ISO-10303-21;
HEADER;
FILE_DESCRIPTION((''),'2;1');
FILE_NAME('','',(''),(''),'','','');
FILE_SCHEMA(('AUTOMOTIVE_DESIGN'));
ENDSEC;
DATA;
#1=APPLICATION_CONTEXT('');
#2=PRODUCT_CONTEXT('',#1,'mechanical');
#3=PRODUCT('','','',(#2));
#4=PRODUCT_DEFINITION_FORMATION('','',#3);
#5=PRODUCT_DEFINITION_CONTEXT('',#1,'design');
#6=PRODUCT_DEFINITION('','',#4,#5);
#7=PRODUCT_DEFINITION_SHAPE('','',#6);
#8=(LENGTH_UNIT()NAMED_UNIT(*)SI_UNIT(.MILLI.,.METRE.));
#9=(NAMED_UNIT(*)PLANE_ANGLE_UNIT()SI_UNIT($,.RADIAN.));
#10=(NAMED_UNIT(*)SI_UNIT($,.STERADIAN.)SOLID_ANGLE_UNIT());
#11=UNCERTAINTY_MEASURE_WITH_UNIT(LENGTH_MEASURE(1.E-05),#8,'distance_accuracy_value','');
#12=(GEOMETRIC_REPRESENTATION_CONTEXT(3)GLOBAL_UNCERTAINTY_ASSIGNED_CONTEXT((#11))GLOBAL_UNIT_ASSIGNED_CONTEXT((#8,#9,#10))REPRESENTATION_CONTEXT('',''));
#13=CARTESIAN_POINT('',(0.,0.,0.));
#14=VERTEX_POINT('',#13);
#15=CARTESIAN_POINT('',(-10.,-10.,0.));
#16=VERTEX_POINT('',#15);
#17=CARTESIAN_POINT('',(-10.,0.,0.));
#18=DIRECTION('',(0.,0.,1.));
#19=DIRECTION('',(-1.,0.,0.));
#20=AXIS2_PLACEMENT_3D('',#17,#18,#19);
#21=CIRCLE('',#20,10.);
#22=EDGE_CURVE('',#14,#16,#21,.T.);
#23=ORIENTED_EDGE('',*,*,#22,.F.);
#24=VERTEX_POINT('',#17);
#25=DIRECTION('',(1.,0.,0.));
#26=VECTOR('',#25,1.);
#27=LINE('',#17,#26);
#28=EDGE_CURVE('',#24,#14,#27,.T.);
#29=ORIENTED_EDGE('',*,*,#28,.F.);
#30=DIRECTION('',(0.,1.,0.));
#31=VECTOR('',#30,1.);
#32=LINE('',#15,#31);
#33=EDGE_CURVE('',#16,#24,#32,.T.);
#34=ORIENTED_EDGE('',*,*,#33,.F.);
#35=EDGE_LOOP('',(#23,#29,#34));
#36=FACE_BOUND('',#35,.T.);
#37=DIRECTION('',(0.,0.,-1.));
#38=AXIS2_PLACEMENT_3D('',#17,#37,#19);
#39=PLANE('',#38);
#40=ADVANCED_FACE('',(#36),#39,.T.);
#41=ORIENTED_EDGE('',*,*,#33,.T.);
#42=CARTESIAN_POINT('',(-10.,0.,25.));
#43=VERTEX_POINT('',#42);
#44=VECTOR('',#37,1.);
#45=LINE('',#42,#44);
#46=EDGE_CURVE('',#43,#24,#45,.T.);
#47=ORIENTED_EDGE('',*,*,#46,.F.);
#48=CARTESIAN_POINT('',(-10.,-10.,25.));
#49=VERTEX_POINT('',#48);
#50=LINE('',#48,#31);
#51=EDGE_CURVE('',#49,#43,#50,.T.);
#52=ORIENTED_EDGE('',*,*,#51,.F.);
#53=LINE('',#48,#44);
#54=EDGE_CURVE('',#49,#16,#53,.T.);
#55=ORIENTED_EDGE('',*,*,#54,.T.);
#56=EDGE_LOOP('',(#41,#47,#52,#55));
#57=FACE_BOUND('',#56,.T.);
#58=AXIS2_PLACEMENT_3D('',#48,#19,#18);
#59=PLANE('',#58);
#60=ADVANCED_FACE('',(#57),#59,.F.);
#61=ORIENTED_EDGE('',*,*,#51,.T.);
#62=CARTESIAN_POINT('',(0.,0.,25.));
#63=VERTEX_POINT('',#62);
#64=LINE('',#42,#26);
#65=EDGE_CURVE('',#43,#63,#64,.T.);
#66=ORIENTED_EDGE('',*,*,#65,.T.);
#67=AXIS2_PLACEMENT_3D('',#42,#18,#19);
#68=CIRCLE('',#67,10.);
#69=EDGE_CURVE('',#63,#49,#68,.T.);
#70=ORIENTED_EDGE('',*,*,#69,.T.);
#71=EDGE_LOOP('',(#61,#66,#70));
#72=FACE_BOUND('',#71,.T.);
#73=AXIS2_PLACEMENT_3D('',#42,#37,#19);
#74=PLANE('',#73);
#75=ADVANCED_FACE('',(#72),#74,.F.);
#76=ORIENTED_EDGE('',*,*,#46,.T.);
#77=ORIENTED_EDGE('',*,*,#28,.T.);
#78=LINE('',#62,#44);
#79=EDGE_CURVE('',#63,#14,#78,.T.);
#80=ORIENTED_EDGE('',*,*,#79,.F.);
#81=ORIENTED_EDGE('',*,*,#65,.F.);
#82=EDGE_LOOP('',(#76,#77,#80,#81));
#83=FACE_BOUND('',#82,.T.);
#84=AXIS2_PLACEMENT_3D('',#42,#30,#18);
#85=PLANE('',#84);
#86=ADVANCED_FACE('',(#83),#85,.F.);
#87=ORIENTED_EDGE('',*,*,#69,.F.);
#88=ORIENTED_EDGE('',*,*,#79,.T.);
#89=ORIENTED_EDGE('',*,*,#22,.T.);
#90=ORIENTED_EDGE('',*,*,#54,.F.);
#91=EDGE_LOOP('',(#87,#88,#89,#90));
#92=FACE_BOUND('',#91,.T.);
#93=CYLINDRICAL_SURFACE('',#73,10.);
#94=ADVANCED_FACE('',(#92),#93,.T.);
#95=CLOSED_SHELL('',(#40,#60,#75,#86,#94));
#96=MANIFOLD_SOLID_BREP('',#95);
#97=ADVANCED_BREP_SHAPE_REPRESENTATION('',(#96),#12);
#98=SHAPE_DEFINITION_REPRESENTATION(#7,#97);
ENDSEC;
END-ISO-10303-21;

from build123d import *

# Parameters (mm, degrees)
BOSS_EXTRUDE1_DEPTH = 25


with BuildPart() as part:
    # Sketch1 → Boss-Extrude1 (new body)
    with BuildSketch(Plane.XY):
        with BuildLine():
            Line((-10, -10), (-10, 0))
            Line((-10, 0), (0, 0))
            ThreePointArc((0, 0), (-17.071067812, 7.071067812), (-10, -10))
        make_face()
    extrude(amount=BOSS_EXTRUDE1_DEPTH)


solid = part.part
